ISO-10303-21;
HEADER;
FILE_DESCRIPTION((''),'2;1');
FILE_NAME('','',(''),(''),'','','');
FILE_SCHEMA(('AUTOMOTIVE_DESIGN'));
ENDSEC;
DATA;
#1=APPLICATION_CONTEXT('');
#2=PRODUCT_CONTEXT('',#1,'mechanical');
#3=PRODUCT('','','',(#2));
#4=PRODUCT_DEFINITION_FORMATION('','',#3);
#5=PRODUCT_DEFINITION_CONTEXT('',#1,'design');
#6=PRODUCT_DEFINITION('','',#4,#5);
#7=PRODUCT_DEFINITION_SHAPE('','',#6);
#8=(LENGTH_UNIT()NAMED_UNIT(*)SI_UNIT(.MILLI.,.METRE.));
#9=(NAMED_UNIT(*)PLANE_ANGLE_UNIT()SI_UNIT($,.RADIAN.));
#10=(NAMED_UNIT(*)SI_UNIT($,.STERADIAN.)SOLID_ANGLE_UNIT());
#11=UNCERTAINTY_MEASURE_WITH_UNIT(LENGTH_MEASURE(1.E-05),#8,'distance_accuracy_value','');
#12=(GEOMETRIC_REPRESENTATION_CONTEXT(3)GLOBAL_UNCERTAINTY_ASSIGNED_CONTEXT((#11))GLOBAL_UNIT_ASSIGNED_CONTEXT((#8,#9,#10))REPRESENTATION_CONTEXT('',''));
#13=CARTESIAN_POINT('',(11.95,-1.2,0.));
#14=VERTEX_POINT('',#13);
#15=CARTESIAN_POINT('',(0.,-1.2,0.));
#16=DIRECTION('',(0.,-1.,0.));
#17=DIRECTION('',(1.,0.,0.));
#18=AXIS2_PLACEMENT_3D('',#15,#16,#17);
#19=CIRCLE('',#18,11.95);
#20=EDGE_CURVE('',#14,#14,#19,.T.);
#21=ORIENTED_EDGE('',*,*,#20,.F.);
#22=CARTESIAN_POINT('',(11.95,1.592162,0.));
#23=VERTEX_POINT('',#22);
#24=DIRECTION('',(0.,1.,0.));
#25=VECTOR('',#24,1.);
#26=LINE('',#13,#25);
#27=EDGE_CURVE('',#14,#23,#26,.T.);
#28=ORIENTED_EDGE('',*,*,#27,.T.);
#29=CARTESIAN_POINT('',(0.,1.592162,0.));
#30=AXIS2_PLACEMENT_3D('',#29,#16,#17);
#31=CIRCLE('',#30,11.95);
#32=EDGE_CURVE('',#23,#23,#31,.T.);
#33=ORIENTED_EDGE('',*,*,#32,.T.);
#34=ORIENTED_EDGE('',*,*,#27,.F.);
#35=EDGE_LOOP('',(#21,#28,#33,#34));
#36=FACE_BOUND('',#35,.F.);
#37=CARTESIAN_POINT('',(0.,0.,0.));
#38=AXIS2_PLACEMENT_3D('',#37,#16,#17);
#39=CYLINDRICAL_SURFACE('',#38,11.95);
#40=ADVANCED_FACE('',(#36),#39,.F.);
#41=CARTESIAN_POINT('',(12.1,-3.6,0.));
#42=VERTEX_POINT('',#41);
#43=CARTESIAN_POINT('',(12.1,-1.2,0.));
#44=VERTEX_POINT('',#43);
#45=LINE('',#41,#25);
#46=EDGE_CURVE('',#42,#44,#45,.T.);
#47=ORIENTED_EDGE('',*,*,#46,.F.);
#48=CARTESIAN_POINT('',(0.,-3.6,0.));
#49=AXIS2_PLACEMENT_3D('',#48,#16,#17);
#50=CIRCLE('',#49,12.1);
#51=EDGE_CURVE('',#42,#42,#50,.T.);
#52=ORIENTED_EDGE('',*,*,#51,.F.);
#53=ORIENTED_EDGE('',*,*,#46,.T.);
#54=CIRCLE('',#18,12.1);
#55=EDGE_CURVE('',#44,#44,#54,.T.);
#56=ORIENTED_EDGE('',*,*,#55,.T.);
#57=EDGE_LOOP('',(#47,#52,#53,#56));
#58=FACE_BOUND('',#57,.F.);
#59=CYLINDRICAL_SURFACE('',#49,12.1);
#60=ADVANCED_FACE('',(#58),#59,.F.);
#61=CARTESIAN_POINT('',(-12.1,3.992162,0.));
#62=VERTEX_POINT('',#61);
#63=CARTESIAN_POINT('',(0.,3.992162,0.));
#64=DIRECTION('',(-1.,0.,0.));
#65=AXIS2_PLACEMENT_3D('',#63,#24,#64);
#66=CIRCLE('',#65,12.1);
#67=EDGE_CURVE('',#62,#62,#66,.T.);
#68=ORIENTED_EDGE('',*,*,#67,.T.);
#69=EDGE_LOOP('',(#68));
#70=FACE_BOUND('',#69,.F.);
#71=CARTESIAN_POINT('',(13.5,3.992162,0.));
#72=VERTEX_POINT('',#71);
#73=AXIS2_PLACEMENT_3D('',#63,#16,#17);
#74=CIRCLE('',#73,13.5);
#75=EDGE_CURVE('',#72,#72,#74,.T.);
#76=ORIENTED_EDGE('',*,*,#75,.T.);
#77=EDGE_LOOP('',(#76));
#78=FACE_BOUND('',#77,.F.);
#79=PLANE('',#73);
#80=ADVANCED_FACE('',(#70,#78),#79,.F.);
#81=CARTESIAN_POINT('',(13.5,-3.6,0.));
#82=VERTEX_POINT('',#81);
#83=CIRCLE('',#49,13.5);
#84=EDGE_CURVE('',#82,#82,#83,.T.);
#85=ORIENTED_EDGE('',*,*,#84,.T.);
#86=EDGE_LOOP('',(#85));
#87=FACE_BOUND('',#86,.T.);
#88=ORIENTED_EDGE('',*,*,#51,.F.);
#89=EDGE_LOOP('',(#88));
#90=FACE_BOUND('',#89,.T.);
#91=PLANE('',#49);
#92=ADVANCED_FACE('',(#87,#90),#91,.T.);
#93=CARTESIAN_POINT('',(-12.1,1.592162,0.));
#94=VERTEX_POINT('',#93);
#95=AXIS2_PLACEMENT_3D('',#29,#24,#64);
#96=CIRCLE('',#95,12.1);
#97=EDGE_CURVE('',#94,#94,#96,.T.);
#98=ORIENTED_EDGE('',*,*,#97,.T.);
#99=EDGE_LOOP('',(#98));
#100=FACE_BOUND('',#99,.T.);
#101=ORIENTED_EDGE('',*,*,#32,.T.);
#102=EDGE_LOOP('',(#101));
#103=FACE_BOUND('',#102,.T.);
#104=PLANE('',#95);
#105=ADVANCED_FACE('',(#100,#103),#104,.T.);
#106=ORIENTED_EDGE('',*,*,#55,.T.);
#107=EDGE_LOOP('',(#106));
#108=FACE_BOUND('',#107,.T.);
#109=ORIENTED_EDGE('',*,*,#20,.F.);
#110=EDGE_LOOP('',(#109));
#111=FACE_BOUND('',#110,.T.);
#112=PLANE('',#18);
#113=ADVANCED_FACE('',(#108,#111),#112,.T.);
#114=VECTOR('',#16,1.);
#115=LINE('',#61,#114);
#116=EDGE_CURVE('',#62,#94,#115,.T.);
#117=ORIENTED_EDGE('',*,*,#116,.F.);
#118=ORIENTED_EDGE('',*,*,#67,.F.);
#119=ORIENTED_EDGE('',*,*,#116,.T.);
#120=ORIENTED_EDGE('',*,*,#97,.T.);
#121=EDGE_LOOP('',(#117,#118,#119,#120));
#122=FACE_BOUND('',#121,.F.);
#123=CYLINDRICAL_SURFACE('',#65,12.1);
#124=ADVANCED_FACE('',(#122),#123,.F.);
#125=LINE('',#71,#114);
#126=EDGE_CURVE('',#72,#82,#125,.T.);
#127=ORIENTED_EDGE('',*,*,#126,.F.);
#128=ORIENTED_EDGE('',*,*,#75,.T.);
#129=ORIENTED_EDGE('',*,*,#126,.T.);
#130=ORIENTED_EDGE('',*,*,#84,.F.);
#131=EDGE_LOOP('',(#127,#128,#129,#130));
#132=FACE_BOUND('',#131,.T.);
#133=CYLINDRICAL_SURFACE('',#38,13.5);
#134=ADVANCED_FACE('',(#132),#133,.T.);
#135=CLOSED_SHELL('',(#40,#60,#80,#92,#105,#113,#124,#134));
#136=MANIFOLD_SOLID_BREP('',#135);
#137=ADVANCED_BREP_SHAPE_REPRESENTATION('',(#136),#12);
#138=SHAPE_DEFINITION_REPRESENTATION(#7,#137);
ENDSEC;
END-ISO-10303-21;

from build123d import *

# Parameters (mm, degrees)
F0_R          = 13.5
F0_R_2        = 11.95
F1_DEPTH      = 3.6
F1_DEPTH_BACK = 3.992162
F2_R          = 12.1
F2_R_2        = 11.95
F3_DEPTH      = 2.4
F4_R          = 12.1
F5_DEPTH      = 2.4


with BuildPart() as f1:
    # F0 (on Front) → F1 (new body, two sides)
    with BuildSketch(Plane.XZ) as f1_sk:
        Circle(F0_R)
        Circle(F0_R_2, mode=Mode.SUBTRACT)
    extrude(amount=F1_DEPTH)
    extrude(f1_sk.sketch, amount=-F1_DEPTH_BACK)

    # F2 (on face) → F3 (cut)
    with BuildSketch(Plane.XZ.offset(3.6)):
        Circle(F2_R)
        Circle(F2_R_2, mode=Mode.SUBTRACT)
    extrude(amount=-F3_DEPTH, mode=Mode.SUBTRACT)

    # F4 (on face) → F5 (cut)
    with BuildSketch(Plane(origin=(0, 3.992162, 0), x_dir=(-1, 0, 0), z_dir=(0, 1, 0))):
        Circle(F4_R)
    extrude(amount=-F5_DEPTH, mode=Mode.SUBTRACT)


solid = f1.part
